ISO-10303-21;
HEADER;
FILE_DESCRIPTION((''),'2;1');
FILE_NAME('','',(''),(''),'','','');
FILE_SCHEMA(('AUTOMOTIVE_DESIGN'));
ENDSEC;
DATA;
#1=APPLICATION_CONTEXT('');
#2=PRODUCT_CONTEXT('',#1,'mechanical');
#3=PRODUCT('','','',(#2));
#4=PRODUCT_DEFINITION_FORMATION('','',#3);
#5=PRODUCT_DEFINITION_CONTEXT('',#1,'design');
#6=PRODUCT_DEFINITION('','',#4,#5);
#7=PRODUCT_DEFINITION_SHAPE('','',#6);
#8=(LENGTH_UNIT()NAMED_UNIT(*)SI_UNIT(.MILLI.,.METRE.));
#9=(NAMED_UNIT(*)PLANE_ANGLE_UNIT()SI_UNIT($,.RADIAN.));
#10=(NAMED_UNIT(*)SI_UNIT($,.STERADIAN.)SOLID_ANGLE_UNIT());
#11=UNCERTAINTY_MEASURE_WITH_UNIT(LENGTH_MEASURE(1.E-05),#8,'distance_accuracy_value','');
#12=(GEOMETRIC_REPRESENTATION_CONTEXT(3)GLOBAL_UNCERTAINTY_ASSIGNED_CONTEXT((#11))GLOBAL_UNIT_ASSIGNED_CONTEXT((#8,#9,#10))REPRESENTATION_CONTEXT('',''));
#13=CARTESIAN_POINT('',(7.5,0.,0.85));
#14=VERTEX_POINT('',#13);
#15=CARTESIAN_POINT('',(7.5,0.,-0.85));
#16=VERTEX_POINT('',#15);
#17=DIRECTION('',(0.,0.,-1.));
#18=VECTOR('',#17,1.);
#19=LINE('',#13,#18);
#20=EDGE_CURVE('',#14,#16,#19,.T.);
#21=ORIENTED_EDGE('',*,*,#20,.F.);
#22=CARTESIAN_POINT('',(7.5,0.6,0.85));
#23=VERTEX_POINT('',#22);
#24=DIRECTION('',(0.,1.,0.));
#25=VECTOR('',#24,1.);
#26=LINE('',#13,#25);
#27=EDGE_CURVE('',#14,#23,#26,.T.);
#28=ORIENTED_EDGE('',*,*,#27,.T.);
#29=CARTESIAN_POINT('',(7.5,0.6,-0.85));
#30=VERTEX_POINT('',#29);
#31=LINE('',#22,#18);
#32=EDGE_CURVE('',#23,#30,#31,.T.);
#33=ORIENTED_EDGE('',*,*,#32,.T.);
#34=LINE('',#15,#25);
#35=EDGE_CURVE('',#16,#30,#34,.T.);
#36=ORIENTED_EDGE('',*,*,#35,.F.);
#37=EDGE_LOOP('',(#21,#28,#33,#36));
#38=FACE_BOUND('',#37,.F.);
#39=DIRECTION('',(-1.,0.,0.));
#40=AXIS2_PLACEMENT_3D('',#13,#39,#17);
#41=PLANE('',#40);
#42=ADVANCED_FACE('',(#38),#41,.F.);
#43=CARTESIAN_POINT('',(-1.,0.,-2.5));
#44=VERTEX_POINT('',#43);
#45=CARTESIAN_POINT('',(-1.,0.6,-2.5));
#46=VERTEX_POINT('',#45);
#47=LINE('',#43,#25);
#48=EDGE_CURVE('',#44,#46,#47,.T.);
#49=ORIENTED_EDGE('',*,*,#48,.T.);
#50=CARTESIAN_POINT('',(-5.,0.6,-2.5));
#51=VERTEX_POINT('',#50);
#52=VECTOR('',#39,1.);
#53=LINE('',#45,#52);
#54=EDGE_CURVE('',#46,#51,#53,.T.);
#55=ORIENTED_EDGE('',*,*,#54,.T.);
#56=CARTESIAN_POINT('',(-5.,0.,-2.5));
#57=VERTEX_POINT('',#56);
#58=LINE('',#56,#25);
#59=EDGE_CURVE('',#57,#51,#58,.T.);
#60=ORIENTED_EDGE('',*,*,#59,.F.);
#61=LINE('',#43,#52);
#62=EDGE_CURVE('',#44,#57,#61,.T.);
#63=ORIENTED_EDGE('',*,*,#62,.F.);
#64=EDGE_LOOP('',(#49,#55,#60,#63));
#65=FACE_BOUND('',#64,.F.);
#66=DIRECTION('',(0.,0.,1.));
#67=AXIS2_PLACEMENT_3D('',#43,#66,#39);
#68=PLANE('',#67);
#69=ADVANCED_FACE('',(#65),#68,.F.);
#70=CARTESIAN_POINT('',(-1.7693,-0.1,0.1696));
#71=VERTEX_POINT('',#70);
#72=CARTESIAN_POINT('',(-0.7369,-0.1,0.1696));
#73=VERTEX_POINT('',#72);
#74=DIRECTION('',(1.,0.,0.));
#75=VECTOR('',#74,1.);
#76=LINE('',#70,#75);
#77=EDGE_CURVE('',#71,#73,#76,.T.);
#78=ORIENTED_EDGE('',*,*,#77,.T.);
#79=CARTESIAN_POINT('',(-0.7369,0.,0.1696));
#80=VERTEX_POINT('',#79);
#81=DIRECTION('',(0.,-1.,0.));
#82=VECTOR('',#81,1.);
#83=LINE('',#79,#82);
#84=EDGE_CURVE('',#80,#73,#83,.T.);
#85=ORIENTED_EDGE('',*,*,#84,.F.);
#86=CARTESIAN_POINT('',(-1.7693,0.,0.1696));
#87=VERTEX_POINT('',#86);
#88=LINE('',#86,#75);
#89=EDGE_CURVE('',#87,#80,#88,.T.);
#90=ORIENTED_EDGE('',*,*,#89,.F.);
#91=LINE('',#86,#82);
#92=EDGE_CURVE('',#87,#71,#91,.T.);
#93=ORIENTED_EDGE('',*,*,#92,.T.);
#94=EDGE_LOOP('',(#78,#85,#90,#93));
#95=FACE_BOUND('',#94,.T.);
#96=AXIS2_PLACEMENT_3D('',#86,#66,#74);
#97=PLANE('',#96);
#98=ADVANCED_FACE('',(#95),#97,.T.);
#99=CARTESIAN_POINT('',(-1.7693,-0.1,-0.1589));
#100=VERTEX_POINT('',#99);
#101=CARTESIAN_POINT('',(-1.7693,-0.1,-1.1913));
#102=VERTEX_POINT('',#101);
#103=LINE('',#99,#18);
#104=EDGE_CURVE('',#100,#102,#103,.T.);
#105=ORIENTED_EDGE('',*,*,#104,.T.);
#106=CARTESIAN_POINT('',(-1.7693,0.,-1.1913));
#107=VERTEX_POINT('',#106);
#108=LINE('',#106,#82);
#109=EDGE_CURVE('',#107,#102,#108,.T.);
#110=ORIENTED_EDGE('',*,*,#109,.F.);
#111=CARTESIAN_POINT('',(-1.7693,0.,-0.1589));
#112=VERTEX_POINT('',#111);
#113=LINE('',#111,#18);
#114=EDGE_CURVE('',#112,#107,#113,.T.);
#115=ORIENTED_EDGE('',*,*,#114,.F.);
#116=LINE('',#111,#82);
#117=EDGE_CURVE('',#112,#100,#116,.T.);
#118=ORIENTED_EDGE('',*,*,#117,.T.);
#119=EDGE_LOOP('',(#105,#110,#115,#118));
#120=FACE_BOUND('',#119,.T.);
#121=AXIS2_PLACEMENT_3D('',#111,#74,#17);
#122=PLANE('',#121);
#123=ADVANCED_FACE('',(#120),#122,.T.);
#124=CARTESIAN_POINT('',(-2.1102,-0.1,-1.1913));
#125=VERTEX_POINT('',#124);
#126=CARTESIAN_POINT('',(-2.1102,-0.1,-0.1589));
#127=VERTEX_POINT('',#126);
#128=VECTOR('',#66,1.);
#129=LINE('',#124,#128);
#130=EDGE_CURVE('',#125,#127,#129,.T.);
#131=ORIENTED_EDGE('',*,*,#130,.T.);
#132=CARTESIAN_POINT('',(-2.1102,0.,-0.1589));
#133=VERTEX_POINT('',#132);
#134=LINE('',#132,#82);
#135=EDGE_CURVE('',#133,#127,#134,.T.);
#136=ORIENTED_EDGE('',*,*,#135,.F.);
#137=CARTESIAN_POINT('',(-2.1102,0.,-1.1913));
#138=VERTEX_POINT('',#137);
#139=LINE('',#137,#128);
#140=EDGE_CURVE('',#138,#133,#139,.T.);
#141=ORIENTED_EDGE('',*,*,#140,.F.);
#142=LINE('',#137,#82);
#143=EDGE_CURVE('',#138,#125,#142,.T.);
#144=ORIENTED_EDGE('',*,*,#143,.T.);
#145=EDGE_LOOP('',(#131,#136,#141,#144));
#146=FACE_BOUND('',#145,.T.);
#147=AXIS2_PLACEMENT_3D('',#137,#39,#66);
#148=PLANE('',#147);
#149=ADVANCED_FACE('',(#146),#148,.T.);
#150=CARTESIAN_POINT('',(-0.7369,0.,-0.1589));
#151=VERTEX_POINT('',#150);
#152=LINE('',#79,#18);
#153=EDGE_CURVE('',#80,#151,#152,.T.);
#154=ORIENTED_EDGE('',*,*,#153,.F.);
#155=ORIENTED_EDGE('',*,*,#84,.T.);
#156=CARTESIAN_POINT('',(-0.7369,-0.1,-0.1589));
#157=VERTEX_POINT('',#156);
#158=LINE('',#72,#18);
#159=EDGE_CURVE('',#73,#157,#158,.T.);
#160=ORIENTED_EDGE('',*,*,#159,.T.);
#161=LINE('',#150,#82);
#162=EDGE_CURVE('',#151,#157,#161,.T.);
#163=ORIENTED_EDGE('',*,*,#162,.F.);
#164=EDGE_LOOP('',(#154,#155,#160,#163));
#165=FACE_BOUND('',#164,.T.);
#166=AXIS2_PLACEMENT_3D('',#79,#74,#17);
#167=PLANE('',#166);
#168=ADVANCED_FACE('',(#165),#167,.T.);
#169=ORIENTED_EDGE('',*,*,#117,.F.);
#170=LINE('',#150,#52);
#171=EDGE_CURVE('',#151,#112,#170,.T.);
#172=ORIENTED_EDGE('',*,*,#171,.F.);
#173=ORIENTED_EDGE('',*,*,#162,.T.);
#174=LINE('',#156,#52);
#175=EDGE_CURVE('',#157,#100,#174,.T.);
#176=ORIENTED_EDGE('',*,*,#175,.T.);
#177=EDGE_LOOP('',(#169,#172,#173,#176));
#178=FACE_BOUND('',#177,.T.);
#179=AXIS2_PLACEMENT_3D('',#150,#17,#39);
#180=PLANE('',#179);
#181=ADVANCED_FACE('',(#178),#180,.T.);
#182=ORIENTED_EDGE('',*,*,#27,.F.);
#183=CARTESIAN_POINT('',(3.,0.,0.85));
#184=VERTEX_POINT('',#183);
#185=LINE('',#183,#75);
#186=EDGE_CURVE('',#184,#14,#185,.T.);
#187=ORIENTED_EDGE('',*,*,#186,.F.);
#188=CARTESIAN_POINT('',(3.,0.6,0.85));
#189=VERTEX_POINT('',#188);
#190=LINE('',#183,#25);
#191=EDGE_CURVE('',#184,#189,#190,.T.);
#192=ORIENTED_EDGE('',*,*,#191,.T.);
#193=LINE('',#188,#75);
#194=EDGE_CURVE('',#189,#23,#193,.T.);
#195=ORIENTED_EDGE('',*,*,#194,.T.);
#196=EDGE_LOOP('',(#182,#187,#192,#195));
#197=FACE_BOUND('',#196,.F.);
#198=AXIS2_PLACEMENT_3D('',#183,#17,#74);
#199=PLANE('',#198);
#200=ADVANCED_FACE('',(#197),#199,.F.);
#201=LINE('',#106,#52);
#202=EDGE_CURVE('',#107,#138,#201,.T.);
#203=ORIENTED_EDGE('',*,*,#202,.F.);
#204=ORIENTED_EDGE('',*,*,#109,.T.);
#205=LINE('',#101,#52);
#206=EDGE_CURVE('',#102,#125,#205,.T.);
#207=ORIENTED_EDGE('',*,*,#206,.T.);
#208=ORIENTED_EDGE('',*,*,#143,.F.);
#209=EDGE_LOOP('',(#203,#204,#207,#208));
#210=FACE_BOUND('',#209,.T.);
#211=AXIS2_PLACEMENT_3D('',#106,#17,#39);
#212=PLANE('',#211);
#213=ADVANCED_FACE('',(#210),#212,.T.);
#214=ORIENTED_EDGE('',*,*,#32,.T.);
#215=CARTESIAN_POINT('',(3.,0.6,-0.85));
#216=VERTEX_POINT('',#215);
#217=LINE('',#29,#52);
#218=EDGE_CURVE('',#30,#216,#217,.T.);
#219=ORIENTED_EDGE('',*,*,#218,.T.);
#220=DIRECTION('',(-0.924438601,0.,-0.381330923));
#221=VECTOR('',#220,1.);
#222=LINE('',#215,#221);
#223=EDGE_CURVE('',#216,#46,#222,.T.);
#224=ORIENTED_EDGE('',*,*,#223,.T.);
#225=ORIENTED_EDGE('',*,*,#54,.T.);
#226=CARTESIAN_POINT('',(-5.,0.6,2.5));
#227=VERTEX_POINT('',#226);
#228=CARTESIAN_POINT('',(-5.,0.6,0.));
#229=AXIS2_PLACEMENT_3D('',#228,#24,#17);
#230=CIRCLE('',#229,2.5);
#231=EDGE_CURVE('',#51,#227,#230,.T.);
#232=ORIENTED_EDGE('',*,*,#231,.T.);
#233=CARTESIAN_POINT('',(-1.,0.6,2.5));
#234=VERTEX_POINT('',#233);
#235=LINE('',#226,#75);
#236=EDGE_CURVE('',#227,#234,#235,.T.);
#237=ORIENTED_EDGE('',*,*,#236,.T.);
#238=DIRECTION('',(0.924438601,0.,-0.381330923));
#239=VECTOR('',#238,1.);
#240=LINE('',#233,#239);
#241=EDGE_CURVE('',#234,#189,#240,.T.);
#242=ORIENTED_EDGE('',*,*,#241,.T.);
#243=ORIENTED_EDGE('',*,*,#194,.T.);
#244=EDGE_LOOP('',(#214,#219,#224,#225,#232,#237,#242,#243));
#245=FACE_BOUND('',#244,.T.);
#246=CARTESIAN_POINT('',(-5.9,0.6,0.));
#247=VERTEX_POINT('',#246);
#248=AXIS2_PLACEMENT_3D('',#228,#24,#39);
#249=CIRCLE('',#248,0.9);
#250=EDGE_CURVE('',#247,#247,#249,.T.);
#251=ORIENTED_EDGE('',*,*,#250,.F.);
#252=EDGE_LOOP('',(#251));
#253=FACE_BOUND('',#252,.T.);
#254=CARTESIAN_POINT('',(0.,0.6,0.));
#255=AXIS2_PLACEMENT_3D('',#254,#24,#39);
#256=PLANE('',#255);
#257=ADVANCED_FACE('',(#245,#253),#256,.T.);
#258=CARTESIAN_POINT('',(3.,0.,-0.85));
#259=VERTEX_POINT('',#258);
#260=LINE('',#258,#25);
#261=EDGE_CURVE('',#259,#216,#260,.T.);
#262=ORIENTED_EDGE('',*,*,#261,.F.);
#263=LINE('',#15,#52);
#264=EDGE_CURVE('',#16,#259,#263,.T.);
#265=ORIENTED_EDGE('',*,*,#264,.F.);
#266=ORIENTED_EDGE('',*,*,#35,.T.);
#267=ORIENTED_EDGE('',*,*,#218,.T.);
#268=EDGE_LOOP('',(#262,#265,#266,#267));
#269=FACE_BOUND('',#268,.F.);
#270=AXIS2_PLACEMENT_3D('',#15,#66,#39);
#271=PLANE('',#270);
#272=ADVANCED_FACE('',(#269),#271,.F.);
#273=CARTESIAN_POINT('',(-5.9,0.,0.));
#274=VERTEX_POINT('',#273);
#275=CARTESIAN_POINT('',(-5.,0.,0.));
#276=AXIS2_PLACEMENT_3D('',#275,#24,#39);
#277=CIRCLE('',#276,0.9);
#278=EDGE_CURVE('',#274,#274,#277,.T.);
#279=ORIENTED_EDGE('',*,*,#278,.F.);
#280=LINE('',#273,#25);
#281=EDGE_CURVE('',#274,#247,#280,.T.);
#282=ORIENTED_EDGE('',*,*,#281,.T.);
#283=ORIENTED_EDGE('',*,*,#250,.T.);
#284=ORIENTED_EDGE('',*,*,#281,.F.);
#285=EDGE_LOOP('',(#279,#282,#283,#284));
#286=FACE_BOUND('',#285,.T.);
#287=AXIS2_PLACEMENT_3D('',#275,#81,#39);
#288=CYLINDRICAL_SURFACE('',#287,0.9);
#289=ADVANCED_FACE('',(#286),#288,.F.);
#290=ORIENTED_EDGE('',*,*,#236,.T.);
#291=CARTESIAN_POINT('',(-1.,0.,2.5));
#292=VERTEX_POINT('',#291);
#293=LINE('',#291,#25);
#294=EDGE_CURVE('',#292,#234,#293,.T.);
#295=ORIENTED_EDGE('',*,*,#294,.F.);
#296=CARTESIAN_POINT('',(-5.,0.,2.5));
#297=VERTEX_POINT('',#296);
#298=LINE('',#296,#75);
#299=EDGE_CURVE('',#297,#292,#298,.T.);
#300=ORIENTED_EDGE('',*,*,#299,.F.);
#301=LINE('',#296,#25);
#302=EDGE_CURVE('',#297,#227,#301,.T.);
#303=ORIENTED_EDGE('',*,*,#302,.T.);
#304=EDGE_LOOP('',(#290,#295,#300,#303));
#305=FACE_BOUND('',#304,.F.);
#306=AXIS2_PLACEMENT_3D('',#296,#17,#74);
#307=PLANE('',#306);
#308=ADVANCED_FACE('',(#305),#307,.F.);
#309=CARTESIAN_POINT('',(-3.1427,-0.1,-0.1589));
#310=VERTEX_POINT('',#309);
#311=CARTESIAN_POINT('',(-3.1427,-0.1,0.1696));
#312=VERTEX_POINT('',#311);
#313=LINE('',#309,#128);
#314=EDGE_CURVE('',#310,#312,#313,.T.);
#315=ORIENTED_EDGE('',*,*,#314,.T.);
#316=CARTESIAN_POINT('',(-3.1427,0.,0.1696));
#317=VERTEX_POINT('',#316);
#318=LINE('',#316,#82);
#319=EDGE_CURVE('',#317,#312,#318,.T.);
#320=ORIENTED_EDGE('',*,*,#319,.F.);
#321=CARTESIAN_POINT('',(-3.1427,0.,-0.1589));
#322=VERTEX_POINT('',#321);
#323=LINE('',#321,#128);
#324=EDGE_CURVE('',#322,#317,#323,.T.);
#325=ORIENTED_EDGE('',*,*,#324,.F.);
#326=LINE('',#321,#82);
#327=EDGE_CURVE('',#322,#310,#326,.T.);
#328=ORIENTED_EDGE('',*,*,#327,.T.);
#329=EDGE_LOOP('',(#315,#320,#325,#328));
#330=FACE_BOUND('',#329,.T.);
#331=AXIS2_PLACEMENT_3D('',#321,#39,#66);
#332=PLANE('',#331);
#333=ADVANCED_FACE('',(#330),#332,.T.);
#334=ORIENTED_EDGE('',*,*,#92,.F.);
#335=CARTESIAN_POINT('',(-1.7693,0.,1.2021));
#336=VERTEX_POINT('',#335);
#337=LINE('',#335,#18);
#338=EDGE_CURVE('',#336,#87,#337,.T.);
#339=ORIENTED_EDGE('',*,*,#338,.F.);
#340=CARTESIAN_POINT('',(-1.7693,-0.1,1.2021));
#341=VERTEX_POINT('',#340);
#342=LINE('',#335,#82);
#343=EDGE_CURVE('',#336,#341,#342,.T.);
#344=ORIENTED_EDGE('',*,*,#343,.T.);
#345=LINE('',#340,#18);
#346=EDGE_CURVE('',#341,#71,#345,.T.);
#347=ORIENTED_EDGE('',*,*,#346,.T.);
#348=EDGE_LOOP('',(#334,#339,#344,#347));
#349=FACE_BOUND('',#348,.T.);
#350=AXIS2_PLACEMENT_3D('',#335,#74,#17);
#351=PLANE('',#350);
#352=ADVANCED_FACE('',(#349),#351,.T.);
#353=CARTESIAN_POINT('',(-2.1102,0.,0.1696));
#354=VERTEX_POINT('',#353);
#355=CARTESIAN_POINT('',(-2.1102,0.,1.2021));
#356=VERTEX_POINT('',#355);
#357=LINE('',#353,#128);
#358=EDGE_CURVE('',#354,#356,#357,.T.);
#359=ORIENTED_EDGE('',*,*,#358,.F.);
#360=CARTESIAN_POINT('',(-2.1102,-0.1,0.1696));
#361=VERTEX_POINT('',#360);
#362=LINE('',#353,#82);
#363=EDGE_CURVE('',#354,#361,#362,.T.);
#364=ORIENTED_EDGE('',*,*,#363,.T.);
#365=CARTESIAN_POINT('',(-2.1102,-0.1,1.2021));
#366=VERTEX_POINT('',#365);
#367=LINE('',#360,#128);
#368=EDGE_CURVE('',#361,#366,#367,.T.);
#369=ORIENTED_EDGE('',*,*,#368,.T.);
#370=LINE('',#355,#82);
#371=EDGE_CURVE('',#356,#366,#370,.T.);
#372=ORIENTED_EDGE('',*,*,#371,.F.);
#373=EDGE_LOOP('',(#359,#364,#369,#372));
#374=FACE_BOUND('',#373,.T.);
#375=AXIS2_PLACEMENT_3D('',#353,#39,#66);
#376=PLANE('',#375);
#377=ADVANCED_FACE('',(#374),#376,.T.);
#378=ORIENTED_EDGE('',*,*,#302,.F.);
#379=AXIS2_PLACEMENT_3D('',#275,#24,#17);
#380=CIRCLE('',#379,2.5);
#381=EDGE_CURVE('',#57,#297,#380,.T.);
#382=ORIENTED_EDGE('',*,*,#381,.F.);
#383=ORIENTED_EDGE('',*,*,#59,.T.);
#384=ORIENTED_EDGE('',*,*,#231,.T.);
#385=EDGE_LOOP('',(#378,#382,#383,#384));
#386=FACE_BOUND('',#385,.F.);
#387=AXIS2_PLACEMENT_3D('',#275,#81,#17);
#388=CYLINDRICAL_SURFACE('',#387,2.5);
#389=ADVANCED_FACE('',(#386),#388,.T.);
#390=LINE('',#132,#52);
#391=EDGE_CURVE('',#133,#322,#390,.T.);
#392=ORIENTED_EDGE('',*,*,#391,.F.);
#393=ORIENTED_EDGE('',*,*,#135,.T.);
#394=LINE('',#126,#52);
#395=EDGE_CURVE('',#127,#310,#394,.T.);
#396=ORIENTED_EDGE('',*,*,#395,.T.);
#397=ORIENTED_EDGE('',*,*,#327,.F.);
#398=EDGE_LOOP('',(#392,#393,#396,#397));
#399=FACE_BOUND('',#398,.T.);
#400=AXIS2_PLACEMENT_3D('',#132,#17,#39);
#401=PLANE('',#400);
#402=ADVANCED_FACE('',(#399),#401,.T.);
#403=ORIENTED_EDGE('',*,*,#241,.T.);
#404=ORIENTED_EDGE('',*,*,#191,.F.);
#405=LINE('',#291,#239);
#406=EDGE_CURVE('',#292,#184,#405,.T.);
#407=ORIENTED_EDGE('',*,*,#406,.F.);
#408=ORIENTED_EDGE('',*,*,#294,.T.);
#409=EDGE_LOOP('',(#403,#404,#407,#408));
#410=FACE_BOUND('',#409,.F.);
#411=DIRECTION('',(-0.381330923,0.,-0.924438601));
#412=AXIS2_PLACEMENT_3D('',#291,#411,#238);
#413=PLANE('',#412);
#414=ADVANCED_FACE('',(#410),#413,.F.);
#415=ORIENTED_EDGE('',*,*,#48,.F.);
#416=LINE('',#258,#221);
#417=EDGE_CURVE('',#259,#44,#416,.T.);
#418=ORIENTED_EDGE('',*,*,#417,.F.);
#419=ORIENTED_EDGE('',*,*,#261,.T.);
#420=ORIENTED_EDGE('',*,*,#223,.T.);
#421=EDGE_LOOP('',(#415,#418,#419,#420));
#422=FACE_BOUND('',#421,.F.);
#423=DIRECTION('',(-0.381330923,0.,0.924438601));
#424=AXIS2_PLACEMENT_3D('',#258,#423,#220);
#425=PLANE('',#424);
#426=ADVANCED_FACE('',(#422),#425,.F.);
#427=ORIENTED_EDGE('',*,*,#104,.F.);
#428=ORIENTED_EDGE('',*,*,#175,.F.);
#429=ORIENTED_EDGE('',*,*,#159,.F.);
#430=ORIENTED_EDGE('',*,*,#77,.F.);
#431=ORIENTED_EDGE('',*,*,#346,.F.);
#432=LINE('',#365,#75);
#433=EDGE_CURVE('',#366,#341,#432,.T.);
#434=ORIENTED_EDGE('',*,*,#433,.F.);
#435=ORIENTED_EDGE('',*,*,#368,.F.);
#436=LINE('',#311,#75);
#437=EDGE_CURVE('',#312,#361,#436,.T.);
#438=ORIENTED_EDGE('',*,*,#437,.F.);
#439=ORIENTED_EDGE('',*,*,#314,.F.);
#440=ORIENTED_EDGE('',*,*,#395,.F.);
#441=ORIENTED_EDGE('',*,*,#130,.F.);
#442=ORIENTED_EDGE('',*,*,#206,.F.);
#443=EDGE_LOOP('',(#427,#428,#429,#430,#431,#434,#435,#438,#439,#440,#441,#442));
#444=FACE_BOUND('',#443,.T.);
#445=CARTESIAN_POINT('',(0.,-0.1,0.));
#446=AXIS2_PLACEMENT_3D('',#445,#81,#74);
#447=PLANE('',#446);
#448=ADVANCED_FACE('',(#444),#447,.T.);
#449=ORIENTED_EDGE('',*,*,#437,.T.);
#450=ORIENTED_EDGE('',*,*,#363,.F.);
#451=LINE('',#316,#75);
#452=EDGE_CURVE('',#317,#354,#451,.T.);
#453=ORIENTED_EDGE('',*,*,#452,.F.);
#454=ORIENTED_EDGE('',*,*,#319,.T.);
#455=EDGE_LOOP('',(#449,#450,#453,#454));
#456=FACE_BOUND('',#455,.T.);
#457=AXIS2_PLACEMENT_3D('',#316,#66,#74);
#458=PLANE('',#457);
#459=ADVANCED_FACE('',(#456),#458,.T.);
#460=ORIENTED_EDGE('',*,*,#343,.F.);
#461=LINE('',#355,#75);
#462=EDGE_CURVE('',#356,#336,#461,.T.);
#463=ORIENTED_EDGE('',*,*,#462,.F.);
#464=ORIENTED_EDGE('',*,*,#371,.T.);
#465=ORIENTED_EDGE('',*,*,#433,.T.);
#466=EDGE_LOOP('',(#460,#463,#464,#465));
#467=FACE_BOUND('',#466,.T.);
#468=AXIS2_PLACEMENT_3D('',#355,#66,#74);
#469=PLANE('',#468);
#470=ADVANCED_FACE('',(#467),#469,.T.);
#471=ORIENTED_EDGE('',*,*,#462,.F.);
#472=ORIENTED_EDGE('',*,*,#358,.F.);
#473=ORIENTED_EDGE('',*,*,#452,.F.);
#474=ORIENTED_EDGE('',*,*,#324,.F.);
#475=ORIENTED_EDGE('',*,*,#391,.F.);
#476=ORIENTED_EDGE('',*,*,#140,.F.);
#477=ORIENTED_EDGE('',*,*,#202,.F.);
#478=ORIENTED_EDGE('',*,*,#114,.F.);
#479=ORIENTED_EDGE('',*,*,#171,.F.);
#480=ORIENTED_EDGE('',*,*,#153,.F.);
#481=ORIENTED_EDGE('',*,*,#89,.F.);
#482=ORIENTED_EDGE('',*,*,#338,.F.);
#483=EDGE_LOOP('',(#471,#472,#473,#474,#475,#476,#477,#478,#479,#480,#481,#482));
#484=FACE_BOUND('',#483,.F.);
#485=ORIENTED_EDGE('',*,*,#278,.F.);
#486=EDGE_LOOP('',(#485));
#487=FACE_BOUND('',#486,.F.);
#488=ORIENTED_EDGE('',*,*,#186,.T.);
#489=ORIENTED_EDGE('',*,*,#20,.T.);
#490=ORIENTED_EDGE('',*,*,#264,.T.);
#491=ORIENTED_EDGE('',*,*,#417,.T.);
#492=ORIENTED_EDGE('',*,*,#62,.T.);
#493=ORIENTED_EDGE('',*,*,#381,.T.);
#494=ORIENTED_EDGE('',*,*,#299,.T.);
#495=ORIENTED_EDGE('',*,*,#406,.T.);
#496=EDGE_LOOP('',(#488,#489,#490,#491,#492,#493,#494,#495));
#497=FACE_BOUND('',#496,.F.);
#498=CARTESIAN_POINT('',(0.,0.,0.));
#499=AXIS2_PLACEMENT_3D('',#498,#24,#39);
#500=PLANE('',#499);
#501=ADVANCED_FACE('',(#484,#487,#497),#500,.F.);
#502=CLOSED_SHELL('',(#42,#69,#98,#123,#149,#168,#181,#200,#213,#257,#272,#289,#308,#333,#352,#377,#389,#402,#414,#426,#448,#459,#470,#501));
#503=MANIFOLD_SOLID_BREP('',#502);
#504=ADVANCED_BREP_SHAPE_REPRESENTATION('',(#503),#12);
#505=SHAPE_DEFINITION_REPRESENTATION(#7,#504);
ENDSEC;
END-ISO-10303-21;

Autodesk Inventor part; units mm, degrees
ref_plane "YZ Plane" through (0, 0, 0) normal (1, 0, 0) x (0, 1, 0)
ref_plane "XZ Plane" through (0, 0, 0) normal (0, 1, 0) x (-1, 0, 0)
ref_plane "XY Plane" through (0, 0, 0) normal (0, 0, 1) x (1, 0, 0)
sketch "Sketch2" plane through (0, 0, 0) normal (0, 1, 0) x (-1, 0, 0)
  line L0 (-7.5, 0.85) -> (-7.5, -0.85)
  line L1 (1, -2.5) -> (5, -2.5)
  line L2 (7.5, 2.5) -> (-7.5, -2.5) construction
  line L3 (-7.5, 2.5) -> (7.5, -2.5) construction
  arc A0 (5, -2.5) -> (5, 2.5) centre (5, 0) ccw
  circle A1 centre (5, 0) radius 0.9
  line L4 (-3, 0.85) -> (-7.5, 0.85)
  line L5 (-7.5, 0.85) -> (-7.5, -0.85)
  line L6 (-7.5, -0.85) -> (-3, -0.85)
  line L7 (1, 2.5) -> (-3, 0.85)
  line L8 (-3, -0.85) -> (1, -2.5)
  line L9 (5, 2.5) -> (1, 2.5)
  point P0 (0, 0)
  dimension "d3" = 1.8
extrude "Extrusion1" add sketch "Sketch2" along normal blind 0.6
sketch "Sketch3" plane through (0, 0, 0) normal (0, -1, 0) x (1, 0, 0)
  line L0 (-3.4662, 1.2021) -> (-0.4158, 1.2021) construction
  line L1 (-0.4158, 1.2021) -> (-0.4158, -1.1913) construction
  line L2 (-0.4158, -1.1913) -> (-3.4662, -1.1913) construction
  line L3 (-3.4662, -1.1913) -> (-3.4662, 1.2021) construction
  line L4 (-0.7369, -0.1589) -> (-1.7693, -0.1589)
  line L5 (-1.7693, -0.1589) -> (-1.7693, -1.1913)
  line L6 (-1.7693, -1.1913) -> (-2.1102, -1.1913)
  line L7 (-2.1102, -1.1913) -> (-2.1102, -0.1589)
  line L8 (-2.1102, -0.1589) -> (-3.1427, -0.1589)
  line L9 (-3.1427, -0.1589) -> (-3.1427, 0.1696)
  line L10 (-3.1427, 0.1696) -> (-2.1102, 0.1696)
  line L11 (-2.1102, 0.1696) -> (-2.1102, 1.2021)
  line L12 (-2.1102, 1.2021) -> (-1.7693, 1.2021)
  line L13 (-1.7693, 1.2021) -> (-1.7693, 0.1696)
  line L14 (-1.7693, 0.1696) -> (-0.7369, 0.1696)
  line L15 (-0.7369, 0.1696) -> (-0.7369, -0.1589)
  point P0 (0, 0)
extrude "Extrusion2" add sketch "Sketch3" along normal blind 0.1
properties part number "Positive Pin" material "ABS Plastic"
